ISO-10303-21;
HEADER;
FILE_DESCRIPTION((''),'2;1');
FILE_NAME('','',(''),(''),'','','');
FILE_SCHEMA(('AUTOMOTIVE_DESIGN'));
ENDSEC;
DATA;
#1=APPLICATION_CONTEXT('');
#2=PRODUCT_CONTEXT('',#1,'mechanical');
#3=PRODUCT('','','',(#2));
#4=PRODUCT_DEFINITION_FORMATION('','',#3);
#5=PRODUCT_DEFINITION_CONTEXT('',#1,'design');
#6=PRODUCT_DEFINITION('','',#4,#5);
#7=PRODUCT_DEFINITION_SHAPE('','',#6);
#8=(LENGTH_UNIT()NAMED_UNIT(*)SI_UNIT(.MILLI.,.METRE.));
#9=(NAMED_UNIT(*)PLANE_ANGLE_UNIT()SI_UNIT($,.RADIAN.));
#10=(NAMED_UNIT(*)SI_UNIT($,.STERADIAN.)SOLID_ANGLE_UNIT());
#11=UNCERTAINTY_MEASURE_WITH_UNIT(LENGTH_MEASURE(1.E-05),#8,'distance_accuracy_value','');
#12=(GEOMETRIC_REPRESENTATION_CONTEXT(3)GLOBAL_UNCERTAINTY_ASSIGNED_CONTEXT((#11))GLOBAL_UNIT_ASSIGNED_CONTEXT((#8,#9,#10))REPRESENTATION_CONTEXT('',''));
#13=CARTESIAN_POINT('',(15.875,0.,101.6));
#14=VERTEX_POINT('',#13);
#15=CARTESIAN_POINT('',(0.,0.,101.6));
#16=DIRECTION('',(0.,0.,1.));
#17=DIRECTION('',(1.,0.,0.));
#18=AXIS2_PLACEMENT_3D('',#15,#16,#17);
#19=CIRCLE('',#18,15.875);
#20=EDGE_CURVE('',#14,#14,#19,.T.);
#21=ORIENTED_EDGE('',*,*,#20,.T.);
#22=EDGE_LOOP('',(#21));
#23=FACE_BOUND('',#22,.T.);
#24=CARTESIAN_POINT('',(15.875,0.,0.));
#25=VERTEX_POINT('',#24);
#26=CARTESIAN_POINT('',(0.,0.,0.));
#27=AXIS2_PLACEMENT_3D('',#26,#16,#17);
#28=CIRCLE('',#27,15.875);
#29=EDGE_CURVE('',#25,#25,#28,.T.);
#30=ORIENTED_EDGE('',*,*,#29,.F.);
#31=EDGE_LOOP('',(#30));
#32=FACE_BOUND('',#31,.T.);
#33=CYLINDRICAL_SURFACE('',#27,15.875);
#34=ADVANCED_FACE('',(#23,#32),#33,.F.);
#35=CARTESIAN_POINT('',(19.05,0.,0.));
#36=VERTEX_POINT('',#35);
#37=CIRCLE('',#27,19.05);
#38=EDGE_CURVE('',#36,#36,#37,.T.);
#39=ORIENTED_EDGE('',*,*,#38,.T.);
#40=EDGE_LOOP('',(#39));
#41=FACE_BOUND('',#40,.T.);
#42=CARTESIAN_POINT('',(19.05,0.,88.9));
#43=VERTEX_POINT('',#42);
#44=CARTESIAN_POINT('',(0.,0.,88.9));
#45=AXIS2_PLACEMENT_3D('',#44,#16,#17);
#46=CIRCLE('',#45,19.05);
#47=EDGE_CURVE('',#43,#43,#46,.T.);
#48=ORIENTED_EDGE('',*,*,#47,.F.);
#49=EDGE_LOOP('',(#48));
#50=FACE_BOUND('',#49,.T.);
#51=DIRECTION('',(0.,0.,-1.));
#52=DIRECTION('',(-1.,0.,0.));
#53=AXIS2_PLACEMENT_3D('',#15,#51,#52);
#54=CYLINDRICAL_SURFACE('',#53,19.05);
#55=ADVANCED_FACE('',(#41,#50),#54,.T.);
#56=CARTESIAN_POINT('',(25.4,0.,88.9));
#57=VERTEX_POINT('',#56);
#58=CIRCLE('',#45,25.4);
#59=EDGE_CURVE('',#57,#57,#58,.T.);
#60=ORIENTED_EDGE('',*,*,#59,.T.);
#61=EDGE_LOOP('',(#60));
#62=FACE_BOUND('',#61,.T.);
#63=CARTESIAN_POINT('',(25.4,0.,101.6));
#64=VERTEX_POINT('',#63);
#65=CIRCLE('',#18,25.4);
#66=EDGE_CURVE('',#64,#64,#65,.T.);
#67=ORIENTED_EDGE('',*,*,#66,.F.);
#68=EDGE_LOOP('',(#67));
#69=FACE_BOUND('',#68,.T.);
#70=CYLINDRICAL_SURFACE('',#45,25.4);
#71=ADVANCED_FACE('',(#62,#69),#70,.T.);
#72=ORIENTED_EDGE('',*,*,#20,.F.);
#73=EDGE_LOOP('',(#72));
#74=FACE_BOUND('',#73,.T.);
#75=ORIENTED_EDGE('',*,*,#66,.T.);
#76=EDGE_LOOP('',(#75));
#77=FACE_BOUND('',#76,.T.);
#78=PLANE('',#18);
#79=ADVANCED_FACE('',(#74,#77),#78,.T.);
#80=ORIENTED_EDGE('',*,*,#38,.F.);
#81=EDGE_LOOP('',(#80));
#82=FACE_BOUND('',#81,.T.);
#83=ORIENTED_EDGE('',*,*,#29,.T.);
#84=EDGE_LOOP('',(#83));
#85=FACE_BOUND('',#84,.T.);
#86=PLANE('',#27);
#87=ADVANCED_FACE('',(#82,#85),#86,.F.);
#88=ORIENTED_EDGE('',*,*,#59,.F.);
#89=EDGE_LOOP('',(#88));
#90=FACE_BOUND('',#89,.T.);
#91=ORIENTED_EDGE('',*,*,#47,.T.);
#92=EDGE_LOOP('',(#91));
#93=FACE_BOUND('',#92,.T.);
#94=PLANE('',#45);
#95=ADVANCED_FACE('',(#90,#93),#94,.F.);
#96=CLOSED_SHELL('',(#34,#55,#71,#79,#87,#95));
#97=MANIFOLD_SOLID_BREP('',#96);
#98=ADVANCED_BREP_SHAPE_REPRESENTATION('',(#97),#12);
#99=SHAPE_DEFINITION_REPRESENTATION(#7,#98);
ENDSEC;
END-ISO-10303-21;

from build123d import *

# Parameters (mm, degrees)
SKETCH1_R           = 19.05
BOSS_EXTRUDE1_DEPTH = 101.6
SKETCH2_R           = 15.875
CUT_EXTRUDE1_DEPTH  = 101.6
SKETCH3_R           = 25.4
BOSS_EXTRUDE2_DEPTH = 12.7
SKETCH4_R           = 15.875
CUT_EXTRUDE2_DEPTH  = 12.7


with BuildPart() as part:
    # Sketch1 → Boss-Extrude1 (new body)
    with BuildSketch(Plane.XY):
        Circle(SKETCH1_R)
    extrude(amount=BOSS_EXTRUDE1_DEPTH)

    # Sketch2 → Cut-Extrude1 (cut)
    with BuildSketch(Plane.XY.offset(101.6)):
        Circle(SKETCH2_R)
    extrude(amount=-CUT_EXTRUDE1_DEPTH, mode=Mode.SUBTRACT)

    # Sketch3 → Boss-Extrude2 (add)
    with BuildSketch(Plane.XY.offset(101.6)):
        Circle(SKETCH3_R)
    extrude(amount=-BOSS_EXTRUDE2_DEPTH)

    # Sketch4 → Cut-Extrude2 (cut)
    with BuildSketch(Plane.XY.offset(101.6)):
        Circle(SKETCH4_R)
    extrude(amount=-CUT_EXTRUDE2_DEPTH, mode=Mode.SUBTRACT)


solid = part.part
